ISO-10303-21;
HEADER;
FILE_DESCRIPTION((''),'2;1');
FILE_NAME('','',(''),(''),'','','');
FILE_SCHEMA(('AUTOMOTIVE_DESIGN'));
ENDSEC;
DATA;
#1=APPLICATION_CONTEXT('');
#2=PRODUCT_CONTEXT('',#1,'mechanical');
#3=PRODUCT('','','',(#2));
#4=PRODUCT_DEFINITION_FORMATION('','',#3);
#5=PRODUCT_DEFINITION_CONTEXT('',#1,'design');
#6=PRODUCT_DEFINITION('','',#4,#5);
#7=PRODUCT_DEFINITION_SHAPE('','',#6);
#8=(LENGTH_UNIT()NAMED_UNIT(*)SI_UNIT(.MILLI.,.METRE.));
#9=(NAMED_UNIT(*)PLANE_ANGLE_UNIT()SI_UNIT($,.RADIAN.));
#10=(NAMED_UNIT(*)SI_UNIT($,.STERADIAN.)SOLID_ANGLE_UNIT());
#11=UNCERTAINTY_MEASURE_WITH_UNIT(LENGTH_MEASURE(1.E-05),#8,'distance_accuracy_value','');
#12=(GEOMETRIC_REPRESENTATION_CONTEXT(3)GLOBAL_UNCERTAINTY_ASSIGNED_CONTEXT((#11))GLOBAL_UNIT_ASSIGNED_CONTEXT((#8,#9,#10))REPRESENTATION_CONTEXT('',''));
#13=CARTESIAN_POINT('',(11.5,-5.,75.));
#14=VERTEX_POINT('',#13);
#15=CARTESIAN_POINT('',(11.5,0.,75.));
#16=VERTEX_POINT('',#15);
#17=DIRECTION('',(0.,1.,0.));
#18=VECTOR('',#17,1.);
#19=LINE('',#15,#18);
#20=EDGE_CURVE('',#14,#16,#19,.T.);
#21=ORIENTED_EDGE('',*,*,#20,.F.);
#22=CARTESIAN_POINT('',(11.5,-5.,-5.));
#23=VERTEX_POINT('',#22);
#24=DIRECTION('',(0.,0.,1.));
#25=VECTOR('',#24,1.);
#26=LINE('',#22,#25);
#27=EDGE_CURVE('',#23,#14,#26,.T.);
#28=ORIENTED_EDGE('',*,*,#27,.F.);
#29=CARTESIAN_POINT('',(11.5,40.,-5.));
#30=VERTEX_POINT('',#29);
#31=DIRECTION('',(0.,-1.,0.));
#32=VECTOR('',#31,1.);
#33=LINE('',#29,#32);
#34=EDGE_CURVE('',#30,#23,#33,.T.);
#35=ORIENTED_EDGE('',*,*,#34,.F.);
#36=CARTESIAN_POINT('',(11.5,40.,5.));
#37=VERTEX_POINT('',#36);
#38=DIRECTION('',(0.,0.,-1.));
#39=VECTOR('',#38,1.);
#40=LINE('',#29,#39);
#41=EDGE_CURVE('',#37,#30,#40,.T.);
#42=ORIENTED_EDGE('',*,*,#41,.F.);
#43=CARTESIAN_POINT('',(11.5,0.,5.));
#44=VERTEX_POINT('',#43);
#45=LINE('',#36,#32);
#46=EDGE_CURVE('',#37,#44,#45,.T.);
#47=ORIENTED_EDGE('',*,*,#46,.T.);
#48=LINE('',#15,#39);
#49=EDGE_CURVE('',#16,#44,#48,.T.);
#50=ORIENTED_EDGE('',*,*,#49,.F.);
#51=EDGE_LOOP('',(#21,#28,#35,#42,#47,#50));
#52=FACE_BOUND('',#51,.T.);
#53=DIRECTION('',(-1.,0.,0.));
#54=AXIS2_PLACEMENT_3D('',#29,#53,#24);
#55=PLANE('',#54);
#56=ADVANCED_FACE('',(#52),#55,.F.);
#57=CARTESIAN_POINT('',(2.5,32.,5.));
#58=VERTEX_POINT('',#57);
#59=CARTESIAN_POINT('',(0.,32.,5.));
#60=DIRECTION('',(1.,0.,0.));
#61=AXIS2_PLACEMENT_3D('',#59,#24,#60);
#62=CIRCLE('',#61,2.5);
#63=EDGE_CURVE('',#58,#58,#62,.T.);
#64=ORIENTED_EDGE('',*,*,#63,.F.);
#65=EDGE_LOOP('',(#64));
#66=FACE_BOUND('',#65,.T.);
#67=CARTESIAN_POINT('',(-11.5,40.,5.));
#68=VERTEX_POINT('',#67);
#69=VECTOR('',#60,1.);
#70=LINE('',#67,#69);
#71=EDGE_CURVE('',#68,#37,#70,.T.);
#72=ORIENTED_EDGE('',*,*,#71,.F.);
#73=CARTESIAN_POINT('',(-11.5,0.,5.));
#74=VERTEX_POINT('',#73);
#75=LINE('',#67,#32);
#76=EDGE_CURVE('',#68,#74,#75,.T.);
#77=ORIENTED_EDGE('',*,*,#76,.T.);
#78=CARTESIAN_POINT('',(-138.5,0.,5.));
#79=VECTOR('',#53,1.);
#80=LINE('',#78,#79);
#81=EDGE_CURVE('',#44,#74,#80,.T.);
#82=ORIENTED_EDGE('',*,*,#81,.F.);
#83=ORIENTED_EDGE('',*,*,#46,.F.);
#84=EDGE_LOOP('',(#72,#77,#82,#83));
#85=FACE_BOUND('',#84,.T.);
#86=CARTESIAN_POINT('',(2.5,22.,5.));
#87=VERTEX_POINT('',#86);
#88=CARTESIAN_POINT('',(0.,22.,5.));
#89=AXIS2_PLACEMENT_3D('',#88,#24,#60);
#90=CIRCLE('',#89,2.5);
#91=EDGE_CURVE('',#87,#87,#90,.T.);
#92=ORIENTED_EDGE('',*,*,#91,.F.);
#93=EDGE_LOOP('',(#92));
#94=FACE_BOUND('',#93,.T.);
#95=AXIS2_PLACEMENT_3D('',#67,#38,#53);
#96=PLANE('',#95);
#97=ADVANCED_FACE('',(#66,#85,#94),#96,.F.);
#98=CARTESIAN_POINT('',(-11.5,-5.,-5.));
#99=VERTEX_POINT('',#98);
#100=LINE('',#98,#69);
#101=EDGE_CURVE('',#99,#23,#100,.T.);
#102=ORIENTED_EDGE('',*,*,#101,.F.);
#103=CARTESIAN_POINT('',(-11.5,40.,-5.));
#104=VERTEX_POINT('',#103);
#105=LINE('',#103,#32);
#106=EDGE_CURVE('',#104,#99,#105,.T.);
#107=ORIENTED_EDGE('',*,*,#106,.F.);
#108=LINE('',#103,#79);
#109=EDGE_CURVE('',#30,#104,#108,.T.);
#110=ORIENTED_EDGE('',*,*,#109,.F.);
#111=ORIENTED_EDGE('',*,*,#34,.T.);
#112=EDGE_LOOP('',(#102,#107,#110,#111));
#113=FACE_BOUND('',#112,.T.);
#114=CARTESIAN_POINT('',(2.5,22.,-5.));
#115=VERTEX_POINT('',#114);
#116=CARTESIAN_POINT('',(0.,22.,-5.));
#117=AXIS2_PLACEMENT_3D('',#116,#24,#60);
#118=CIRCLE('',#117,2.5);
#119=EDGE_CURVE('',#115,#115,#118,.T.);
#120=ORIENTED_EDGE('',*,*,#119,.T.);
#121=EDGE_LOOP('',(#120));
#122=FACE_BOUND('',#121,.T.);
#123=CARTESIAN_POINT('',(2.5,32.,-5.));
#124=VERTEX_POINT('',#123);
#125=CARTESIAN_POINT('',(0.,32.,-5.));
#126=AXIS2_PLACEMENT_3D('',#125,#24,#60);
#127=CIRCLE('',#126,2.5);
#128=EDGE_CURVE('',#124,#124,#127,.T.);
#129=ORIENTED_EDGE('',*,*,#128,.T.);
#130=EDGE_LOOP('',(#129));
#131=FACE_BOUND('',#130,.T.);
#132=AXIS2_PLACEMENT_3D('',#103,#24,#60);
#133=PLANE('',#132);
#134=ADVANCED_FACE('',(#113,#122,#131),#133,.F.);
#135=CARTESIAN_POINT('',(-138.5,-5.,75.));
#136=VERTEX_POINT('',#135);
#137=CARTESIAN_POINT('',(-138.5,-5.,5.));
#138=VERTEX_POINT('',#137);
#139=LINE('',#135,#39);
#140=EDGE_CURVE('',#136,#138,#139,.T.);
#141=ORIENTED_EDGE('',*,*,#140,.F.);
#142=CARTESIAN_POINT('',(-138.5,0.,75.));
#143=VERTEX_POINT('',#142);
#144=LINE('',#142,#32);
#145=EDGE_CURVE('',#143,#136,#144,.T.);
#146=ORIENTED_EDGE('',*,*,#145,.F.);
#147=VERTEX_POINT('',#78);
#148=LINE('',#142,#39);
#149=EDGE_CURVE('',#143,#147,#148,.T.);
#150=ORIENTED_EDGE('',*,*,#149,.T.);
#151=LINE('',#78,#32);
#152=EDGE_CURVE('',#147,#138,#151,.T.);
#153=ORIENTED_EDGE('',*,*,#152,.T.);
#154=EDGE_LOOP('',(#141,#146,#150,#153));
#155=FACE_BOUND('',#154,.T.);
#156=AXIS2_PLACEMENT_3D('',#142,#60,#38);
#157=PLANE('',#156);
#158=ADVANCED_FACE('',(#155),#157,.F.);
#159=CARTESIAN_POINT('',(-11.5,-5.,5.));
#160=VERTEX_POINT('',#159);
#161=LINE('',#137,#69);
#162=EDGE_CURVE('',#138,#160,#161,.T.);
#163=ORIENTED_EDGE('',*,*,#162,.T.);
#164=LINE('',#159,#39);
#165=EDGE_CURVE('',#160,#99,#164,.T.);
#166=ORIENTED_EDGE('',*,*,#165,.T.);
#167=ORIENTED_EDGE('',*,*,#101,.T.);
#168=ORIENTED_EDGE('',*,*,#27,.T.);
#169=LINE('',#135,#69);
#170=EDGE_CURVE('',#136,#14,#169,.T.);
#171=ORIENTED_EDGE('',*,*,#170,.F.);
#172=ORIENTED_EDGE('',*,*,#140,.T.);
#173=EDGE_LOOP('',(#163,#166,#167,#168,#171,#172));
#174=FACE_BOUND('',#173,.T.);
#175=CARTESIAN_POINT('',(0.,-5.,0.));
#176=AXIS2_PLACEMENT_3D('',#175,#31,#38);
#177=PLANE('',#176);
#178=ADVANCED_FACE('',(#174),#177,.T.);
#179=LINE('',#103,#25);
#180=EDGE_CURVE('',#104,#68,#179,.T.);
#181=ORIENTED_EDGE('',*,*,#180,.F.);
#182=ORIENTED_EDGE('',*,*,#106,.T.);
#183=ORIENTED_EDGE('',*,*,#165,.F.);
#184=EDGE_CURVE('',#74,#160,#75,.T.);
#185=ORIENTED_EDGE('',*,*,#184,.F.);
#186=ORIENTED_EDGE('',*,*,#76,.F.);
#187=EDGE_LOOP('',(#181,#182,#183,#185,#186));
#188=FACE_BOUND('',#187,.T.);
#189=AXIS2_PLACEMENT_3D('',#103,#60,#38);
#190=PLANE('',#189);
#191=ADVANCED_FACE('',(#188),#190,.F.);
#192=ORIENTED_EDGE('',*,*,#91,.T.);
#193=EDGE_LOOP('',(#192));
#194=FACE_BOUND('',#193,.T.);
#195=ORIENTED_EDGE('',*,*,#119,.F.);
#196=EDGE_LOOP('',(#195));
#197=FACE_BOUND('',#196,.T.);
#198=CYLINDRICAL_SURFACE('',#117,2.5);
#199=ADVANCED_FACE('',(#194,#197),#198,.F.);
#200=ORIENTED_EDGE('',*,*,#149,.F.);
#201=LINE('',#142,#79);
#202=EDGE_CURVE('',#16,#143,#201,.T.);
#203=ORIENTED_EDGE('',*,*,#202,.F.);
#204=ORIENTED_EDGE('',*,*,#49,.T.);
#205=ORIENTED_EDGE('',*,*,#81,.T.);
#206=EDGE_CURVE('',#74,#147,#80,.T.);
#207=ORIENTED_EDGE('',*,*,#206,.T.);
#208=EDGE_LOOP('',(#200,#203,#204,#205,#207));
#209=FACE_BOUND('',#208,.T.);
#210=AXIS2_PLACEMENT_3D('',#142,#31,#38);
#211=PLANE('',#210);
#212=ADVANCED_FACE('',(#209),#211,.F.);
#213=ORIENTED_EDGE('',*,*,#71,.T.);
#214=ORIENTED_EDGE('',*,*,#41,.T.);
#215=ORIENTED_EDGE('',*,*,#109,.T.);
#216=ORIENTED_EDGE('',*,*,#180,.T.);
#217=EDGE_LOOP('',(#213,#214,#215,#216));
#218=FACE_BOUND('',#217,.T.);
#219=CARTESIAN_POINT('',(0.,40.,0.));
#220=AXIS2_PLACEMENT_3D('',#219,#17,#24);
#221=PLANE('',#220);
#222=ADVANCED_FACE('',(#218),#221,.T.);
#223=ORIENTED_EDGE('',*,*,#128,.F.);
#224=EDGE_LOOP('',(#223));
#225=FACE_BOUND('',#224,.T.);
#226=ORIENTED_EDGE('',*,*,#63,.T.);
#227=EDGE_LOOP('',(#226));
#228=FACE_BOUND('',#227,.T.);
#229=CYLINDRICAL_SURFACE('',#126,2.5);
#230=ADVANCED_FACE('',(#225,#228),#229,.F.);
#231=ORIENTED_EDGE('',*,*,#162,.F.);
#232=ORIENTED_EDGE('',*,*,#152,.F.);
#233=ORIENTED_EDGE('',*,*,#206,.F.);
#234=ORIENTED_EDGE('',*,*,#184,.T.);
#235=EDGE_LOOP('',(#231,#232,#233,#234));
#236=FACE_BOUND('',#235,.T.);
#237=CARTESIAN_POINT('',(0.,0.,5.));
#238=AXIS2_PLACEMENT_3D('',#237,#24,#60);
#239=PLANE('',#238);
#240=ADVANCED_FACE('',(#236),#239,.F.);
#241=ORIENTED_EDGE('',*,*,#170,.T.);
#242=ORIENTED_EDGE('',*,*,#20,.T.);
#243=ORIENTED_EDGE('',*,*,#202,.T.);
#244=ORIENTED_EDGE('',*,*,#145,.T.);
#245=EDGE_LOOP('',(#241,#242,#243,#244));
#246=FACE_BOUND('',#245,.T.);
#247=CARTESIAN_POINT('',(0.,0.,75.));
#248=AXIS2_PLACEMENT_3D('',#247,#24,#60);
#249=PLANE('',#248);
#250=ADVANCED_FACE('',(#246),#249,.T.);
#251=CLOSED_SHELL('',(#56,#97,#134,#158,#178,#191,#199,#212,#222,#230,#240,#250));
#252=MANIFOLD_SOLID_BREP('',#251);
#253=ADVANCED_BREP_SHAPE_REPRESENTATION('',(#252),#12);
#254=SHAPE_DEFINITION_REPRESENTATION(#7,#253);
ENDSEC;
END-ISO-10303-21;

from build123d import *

# Parameters (mm, degrees)
SKETCH2_W           = 23
SKETCH2_H           = 10
BOSS_EXTRUDE1_DEPTH = 40
SKETCH3_R           = 2.5
CUT_EXTRUDE1_DEPTH  = 43.804789452
SKETCH4_W           = 150
SKETCH4_H           = 5
BOSS_EXTRUDE2_DEPTH = 70
SKETCH5_W           = 23
SKETCH5_H           = 10
BOSS_EXTRUDE3_DEPTH = 5


with BuildPart() as part:
    # Sketch2 → Boss-Extrude1 (new body)
    with BuildSketch(Plane(origin=(0, 0, 0), x_dir=(1, 0, 0), z_dir=(0, 1, 0))):
        Rectangle(SKETCH2_W, SKETCH2_H)
    extrude(amount=BOSS_EXTRUDE1_DEPTH)

    # Sketch3 → Cut-Extrude1 (cut, through all)
    with BuildSketch(Plane.XY.offset(5)):
        with Locations((0, 32)):
            Circle(SKETCH3_R)
        with Locations((0, 22)):
            Circle(SKETCH3_R)
    extrude(amount=-CUT_EXTRUDE1_DEPTH, mode=Mode.SUBTRACT)



with BuildPart() as body_2:
    # Sketch4 → Boss-Extrude2 (new body)
    with BuildSketch(Plane.XY.offset(5)):
        with Locations((-63.5, -2.5)):
            Rectangle(SKETCH4_W, SKETCH4_H)
    extrude(amount=BOSS_EXTRUDE2_DEPTH)


with BuildPart() as part_1:
    add(part.part)

    add(body_2.part)  # Boss-Extrude3 merges body 2
    # Sketch5 → Boss-Extrude3 (add)
    with BuildSketch(Plane.XZ):
        Rectangle(SKETCH5_W, SKETCH5_H)
    extrude(amount=BOSS_EXTRUDE3_DEPTH)


solid = part_1.part
